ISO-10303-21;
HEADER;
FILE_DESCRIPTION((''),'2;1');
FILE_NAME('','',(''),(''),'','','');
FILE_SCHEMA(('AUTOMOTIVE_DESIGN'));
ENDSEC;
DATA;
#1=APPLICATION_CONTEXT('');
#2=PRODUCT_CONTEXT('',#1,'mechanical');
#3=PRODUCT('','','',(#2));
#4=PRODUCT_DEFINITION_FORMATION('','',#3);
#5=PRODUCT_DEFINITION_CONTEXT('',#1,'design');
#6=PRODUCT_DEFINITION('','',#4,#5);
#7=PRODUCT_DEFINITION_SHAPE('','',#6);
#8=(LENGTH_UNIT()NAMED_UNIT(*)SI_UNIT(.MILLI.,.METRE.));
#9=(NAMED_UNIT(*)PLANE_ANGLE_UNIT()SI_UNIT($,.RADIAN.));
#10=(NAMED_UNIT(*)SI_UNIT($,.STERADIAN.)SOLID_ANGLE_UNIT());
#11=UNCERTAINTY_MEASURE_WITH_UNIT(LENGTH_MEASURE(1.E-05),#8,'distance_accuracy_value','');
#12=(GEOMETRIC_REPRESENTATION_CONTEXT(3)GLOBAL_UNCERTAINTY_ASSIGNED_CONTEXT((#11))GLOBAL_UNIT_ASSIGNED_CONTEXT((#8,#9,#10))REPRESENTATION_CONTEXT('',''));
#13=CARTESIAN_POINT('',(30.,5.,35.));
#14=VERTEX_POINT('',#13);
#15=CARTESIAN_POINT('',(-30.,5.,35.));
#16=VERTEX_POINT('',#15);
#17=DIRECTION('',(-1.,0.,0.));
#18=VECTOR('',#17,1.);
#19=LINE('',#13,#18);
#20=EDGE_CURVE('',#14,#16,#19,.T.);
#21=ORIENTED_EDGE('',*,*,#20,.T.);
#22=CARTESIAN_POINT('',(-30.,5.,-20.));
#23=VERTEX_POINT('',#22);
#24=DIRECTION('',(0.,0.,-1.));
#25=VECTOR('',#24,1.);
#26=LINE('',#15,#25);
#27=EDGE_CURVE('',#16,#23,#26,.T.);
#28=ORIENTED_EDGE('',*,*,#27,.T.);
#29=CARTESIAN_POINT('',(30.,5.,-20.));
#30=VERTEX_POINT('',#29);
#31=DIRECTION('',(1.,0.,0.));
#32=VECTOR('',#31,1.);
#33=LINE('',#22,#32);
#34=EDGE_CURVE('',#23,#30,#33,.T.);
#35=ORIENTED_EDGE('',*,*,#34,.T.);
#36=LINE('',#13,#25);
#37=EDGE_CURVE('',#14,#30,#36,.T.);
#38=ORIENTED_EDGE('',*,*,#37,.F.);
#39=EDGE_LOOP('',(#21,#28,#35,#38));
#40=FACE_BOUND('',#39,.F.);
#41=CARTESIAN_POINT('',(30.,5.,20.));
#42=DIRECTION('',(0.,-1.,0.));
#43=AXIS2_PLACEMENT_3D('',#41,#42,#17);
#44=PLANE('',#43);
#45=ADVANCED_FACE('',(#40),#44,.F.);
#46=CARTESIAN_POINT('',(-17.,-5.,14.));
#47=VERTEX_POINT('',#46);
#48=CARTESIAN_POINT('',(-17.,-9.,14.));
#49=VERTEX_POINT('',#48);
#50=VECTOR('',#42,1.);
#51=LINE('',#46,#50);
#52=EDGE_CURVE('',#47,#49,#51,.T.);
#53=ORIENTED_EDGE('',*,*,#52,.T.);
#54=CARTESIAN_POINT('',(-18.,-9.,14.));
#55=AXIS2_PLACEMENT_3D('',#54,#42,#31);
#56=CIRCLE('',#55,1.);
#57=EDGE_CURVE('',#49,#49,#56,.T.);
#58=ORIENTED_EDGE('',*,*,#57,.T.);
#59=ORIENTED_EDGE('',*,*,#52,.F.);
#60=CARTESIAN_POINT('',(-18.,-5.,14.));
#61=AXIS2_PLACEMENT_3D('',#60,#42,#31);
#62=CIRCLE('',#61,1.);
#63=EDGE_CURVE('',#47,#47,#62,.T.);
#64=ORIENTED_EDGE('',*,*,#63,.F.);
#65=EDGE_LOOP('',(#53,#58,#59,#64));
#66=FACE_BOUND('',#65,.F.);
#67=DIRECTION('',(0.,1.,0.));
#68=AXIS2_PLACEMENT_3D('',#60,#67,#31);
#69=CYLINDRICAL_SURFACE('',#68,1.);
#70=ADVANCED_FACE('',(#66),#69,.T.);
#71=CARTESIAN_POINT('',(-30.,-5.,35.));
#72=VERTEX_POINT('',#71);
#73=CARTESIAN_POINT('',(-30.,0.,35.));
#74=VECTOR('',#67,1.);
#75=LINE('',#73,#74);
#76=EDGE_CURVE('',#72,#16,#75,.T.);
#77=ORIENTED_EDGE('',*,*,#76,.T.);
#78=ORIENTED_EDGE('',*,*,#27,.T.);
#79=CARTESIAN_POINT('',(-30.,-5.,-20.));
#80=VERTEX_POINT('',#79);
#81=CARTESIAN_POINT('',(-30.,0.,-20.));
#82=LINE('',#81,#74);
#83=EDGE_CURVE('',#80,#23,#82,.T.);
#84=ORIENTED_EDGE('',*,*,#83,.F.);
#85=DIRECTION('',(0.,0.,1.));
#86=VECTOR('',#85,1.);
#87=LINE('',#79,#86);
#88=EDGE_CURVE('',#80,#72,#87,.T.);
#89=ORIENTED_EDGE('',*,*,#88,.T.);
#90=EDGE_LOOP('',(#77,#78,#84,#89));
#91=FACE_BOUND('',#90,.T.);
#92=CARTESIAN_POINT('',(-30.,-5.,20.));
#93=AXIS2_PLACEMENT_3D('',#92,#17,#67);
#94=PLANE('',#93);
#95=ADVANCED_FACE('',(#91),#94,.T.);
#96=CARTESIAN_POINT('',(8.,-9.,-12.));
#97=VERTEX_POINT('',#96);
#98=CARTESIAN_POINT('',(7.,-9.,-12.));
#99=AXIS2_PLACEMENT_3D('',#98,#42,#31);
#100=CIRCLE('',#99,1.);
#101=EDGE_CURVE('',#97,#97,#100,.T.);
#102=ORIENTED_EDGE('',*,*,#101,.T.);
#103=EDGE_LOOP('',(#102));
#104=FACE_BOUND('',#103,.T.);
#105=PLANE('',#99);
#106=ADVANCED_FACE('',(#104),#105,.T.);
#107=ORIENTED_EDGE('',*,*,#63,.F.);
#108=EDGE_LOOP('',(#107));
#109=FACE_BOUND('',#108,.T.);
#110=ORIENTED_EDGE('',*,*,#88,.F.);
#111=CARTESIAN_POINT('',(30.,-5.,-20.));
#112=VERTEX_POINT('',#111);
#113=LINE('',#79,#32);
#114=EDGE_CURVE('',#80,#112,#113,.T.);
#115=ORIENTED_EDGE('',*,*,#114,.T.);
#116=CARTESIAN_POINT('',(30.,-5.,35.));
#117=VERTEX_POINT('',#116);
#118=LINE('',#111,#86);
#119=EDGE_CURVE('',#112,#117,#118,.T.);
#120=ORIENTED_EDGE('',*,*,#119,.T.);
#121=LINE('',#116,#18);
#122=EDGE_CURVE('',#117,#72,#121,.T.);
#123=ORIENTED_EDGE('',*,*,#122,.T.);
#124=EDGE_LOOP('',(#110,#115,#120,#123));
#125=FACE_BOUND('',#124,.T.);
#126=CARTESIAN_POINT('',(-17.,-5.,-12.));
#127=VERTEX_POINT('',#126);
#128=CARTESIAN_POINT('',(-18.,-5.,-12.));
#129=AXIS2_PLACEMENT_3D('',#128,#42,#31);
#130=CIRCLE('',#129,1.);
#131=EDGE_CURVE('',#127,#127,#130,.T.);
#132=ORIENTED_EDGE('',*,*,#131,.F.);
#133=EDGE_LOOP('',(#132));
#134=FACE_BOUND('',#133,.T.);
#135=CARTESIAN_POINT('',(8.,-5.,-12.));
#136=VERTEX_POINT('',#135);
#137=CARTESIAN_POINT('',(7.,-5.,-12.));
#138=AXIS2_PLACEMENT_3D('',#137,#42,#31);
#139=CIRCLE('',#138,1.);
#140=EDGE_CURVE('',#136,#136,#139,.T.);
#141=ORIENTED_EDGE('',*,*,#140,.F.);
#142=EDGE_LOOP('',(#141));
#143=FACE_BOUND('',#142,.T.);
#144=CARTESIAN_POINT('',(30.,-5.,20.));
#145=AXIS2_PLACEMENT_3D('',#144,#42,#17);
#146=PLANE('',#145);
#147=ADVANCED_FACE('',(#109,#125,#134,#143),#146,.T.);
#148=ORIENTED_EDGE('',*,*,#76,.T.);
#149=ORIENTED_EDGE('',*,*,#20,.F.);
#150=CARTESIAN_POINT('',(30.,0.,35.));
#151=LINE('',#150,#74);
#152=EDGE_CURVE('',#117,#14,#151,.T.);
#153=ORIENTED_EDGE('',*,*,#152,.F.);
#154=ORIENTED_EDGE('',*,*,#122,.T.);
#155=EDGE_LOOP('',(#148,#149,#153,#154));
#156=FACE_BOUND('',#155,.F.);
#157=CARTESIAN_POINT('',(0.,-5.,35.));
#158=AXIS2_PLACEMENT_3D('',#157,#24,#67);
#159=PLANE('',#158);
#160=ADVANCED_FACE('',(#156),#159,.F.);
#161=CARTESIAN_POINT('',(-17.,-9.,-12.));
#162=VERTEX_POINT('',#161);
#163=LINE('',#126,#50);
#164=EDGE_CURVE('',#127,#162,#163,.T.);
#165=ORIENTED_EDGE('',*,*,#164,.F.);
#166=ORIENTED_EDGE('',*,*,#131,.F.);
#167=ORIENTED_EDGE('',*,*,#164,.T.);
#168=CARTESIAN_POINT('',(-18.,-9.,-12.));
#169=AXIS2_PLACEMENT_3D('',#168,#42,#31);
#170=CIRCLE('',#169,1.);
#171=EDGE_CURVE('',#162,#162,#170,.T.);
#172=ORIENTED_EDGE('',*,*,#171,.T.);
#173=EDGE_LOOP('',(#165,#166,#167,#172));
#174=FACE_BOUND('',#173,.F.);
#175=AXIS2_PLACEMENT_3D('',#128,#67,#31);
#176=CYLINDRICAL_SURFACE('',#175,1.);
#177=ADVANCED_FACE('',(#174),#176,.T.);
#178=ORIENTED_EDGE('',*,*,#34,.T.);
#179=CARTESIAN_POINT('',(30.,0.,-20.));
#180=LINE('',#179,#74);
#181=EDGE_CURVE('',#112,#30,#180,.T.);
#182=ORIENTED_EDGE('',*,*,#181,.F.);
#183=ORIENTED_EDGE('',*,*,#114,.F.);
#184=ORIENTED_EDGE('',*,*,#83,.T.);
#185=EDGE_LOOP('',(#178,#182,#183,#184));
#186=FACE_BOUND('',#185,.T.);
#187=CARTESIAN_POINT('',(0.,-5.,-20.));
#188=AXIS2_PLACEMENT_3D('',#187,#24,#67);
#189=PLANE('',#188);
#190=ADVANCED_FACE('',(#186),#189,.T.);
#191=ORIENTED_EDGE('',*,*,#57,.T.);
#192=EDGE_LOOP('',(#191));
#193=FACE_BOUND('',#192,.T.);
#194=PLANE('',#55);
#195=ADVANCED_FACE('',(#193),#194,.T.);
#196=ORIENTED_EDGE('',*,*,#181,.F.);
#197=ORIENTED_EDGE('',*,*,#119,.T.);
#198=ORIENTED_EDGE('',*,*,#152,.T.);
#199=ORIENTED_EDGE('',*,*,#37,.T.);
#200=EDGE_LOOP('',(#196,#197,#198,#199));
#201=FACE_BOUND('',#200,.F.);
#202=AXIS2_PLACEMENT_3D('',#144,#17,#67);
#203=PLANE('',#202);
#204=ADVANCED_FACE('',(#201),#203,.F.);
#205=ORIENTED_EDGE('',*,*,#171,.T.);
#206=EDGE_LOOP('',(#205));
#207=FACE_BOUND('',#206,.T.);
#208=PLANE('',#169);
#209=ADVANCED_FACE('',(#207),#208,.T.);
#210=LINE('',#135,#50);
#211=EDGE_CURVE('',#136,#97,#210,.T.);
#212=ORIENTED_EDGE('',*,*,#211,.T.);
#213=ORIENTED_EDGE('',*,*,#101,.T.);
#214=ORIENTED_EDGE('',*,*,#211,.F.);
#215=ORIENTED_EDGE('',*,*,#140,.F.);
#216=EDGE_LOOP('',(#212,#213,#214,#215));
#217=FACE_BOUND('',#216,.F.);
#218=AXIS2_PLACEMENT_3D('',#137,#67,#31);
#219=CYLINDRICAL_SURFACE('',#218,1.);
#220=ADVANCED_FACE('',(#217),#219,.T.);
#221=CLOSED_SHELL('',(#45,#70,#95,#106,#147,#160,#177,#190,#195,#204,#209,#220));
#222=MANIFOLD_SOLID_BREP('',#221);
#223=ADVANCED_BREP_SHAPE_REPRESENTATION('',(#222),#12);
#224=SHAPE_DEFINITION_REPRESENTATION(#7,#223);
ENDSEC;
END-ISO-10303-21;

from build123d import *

# Parameters (mm, degrees)
F0_W          = 10
F0_H          = 40
F1_DEPTH      = 30
F1_DEPTH_BACK = 30
F2_R          = 1
F3_DEPTH      = 4
F4_DEPTH      = 15


with BuildPart() as f1:
    # F0 (on Right) → F1 (new body, two sides)
    with BuildSketch(Plane.YZ) as f1_sk:
        Rectangle(F0_W, F0_H)
    extrude(amount=F1_DEPTH)
    extrude(f1_sk.sketch, amount=-F1_DEPTH_BACK)

    # F2 (on face) → F3 (join)
    with BuildSketch(Plane.XZ.offset(5)):
        with Locations((-18, 14)):
            Circle(F2_R)
        with Locations((-18, -12)):
            Circle(F2_R)
        with Locations((7, -12)):
            Circle(F2_R)
    extrude(amount=F3_DEPTH)

    # F4 (add): a face of the model
    f4_faces = [f1.faces().sort_by_distance(p)[0] for p in [
        (0, 0, 20),
    ]]
    extrude(f4_faces, amount=F4_DEPTH)


solid = f1.part
